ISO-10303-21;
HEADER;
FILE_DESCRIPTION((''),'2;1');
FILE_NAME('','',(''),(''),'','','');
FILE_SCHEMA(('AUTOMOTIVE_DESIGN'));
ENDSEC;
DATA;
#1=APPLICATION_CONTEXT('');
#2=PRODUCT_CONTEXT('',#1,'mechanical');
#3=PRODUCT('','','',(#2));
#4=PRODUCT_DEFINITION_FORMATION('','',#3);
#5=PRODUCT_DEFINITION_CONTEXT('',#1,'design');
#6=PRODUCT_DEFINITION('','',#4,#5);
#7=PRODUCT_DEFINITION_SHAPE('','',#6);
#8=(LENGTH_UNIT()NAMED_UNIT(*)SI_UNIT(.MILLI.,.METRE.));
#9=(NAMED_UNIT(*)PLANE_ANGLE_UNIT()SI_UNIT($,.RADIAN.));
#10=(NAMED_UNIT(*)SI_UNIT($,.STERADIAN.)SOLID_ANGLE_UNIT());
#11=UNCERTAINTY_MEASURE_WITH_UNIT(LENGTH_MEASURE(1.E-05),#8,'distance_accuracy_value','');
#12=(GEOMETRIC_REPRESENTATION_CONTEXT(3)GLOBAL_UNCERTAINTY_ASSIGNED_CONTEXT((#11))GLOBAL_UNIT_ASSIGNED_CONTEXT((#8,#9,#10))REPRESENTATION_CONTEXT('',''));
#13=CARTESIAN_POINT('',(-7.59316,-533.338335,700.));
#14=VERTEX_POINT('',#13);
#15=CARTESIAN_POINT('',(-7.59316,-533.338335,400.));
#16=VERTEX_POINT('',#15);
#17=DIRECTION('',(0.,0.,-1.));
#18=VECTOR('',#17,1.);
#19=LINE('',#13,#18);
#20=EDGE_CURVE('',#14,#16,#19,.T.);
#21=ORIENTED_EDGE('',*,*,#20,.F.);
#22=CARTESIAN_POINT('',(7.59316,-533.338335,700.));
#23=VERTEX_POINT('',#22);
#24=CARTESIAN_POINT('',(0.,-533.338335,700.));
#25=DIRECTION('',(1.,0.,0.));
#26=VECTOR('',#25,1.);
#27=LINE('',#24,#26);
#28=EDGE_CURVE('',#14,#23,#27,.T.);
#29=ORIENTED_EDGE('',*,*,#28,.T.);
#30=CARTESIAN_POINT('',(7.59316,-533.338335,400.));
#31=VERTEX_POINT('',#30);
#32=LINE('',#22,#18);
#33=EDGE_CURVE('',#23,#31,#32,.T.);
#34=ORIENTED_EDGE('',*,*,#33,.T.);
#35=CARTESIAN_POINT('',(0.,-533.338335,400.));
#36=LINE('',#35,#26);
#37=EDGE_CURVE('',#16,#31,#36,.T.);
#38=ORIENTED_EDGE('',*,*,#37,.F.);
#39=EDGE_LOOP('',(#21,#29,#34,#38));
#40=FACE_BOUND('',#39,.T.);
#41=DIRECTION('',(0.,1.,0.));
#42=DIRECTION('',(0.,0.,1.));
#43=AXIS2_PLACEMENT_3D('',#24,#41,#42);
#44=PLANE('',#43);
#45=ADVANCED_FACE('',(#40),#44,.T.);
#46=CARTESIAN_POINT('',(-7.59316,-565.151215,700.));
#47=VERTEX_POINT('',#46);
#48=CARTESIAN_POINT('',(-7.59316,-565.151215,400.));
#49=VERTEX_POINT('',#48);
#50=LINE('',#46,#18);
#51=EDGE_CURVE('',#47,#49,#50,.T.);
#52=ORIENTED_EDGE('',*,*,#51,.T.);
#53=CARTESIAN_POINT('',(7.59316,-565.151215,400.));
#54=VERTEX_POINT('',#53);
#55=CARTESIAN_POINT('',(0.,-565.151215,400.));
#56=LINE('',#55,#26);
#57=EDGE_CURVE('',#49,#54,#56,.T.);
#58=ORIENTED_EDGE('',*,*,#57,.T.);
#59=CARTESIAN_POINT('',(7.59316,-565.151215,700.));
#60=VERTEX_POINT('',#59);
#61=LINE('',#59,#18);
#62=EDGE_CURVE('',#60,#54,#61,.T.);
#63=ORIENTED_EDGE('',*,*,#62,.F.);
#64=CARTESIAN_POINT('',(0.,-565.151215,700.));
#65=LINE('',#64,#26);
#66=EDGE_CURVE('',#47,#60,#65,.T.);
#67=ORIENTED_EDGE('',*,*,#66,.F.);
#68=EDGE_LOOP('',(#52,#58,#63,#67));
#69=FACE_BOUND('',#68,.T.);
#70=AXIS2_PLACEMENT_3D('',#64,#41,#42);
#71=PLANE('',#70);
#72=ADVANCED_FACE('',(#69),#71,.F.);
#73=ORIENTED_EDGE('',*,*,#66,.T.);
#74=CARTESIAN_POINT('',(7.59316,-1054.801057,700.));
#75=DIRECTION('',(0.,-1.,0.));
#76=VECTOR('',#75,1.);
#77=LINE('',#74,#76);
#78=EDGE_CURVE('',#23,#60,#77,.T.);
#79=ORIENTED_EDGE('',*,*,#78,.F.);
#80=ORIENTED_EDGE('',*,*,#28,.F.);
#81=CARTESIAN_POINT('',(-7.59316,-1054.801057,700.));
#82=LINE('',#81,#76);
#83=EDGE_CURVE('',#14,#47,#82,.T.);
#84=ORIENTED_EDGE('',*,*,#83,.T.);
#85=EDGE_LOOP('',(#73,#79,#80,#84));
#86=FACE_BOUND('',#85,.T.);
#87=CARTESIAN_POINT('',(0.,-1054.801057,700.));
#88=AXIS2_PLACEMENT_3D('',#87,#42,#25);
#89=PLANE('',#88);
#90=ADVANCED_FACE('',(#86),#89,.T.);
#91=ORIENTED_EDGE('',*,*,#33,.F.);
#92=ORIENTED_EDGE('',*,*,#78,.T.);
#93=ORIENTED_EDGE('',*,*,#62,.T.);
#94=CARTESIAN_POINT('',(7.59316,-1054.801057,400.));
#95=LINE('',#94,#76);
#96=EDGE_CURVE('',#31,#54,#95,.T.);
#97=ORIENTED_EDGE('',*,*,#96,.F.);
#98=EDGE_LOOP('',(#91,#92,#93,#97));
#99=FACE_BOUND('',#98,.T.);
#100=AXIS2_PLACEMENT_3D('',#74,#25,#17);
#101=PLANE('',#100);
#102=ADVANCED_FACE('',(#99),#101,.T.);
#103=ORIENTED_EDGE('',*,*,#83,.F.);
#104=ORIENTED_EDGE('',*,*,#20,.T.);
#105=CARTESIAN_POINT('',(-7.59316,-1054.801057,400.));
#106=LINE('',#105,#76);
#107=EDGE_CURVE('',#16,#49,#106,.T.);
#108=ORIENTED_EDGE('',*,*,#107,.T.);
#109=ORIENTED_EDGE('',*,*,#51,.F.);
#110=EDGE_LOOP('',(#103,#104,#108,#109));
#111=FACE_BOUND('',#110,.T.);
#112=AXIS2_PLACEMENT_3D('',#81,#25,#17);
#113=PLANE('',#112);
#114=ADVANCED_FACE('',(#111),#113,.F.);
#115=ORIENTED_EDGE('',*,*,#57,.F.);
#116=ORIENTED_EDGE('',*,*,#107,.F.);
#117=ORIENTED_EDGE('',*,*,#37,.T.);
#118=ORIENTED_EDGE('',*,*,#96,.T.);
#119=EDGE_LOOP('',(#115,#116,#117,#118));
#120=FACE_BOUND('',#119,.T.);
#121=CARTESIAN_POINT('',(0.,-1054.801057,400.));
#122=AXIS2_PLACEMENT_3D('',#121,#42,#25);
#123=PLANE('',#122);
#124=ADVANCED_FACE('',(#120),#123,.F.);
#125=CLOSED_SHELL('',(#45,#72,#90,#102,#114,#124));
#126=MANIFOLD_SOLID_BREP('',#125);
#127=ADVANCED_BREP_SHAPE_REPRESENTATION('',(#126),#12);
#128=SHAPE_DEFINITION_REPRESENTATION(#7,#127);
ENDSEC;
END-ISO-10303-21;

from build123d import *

# Parameters (mm, degrees)
SKETCH_1_W      = 7.59316048
SKETCH_1_H      = 31.812879904
EXTRUDE_1_DEPTH = 300


with BuildPart() as part:
    # 草图1 → 凸台-拉伸1 (new body)
    with BuildSketch(Plane.XY.offset(400)):
        with Locations((-3.79658024, -549.244775142)):
            Rectangle(SKETCH_1_W, SKETCH_1_H)
        with Locations((3.79658024, -549.244775142)):
            Rectangle(SKETCH_1_W, SKETCH_1_H)
    extrude(amount=EXTRUDE_1_DEPTH)


solid = part.part
